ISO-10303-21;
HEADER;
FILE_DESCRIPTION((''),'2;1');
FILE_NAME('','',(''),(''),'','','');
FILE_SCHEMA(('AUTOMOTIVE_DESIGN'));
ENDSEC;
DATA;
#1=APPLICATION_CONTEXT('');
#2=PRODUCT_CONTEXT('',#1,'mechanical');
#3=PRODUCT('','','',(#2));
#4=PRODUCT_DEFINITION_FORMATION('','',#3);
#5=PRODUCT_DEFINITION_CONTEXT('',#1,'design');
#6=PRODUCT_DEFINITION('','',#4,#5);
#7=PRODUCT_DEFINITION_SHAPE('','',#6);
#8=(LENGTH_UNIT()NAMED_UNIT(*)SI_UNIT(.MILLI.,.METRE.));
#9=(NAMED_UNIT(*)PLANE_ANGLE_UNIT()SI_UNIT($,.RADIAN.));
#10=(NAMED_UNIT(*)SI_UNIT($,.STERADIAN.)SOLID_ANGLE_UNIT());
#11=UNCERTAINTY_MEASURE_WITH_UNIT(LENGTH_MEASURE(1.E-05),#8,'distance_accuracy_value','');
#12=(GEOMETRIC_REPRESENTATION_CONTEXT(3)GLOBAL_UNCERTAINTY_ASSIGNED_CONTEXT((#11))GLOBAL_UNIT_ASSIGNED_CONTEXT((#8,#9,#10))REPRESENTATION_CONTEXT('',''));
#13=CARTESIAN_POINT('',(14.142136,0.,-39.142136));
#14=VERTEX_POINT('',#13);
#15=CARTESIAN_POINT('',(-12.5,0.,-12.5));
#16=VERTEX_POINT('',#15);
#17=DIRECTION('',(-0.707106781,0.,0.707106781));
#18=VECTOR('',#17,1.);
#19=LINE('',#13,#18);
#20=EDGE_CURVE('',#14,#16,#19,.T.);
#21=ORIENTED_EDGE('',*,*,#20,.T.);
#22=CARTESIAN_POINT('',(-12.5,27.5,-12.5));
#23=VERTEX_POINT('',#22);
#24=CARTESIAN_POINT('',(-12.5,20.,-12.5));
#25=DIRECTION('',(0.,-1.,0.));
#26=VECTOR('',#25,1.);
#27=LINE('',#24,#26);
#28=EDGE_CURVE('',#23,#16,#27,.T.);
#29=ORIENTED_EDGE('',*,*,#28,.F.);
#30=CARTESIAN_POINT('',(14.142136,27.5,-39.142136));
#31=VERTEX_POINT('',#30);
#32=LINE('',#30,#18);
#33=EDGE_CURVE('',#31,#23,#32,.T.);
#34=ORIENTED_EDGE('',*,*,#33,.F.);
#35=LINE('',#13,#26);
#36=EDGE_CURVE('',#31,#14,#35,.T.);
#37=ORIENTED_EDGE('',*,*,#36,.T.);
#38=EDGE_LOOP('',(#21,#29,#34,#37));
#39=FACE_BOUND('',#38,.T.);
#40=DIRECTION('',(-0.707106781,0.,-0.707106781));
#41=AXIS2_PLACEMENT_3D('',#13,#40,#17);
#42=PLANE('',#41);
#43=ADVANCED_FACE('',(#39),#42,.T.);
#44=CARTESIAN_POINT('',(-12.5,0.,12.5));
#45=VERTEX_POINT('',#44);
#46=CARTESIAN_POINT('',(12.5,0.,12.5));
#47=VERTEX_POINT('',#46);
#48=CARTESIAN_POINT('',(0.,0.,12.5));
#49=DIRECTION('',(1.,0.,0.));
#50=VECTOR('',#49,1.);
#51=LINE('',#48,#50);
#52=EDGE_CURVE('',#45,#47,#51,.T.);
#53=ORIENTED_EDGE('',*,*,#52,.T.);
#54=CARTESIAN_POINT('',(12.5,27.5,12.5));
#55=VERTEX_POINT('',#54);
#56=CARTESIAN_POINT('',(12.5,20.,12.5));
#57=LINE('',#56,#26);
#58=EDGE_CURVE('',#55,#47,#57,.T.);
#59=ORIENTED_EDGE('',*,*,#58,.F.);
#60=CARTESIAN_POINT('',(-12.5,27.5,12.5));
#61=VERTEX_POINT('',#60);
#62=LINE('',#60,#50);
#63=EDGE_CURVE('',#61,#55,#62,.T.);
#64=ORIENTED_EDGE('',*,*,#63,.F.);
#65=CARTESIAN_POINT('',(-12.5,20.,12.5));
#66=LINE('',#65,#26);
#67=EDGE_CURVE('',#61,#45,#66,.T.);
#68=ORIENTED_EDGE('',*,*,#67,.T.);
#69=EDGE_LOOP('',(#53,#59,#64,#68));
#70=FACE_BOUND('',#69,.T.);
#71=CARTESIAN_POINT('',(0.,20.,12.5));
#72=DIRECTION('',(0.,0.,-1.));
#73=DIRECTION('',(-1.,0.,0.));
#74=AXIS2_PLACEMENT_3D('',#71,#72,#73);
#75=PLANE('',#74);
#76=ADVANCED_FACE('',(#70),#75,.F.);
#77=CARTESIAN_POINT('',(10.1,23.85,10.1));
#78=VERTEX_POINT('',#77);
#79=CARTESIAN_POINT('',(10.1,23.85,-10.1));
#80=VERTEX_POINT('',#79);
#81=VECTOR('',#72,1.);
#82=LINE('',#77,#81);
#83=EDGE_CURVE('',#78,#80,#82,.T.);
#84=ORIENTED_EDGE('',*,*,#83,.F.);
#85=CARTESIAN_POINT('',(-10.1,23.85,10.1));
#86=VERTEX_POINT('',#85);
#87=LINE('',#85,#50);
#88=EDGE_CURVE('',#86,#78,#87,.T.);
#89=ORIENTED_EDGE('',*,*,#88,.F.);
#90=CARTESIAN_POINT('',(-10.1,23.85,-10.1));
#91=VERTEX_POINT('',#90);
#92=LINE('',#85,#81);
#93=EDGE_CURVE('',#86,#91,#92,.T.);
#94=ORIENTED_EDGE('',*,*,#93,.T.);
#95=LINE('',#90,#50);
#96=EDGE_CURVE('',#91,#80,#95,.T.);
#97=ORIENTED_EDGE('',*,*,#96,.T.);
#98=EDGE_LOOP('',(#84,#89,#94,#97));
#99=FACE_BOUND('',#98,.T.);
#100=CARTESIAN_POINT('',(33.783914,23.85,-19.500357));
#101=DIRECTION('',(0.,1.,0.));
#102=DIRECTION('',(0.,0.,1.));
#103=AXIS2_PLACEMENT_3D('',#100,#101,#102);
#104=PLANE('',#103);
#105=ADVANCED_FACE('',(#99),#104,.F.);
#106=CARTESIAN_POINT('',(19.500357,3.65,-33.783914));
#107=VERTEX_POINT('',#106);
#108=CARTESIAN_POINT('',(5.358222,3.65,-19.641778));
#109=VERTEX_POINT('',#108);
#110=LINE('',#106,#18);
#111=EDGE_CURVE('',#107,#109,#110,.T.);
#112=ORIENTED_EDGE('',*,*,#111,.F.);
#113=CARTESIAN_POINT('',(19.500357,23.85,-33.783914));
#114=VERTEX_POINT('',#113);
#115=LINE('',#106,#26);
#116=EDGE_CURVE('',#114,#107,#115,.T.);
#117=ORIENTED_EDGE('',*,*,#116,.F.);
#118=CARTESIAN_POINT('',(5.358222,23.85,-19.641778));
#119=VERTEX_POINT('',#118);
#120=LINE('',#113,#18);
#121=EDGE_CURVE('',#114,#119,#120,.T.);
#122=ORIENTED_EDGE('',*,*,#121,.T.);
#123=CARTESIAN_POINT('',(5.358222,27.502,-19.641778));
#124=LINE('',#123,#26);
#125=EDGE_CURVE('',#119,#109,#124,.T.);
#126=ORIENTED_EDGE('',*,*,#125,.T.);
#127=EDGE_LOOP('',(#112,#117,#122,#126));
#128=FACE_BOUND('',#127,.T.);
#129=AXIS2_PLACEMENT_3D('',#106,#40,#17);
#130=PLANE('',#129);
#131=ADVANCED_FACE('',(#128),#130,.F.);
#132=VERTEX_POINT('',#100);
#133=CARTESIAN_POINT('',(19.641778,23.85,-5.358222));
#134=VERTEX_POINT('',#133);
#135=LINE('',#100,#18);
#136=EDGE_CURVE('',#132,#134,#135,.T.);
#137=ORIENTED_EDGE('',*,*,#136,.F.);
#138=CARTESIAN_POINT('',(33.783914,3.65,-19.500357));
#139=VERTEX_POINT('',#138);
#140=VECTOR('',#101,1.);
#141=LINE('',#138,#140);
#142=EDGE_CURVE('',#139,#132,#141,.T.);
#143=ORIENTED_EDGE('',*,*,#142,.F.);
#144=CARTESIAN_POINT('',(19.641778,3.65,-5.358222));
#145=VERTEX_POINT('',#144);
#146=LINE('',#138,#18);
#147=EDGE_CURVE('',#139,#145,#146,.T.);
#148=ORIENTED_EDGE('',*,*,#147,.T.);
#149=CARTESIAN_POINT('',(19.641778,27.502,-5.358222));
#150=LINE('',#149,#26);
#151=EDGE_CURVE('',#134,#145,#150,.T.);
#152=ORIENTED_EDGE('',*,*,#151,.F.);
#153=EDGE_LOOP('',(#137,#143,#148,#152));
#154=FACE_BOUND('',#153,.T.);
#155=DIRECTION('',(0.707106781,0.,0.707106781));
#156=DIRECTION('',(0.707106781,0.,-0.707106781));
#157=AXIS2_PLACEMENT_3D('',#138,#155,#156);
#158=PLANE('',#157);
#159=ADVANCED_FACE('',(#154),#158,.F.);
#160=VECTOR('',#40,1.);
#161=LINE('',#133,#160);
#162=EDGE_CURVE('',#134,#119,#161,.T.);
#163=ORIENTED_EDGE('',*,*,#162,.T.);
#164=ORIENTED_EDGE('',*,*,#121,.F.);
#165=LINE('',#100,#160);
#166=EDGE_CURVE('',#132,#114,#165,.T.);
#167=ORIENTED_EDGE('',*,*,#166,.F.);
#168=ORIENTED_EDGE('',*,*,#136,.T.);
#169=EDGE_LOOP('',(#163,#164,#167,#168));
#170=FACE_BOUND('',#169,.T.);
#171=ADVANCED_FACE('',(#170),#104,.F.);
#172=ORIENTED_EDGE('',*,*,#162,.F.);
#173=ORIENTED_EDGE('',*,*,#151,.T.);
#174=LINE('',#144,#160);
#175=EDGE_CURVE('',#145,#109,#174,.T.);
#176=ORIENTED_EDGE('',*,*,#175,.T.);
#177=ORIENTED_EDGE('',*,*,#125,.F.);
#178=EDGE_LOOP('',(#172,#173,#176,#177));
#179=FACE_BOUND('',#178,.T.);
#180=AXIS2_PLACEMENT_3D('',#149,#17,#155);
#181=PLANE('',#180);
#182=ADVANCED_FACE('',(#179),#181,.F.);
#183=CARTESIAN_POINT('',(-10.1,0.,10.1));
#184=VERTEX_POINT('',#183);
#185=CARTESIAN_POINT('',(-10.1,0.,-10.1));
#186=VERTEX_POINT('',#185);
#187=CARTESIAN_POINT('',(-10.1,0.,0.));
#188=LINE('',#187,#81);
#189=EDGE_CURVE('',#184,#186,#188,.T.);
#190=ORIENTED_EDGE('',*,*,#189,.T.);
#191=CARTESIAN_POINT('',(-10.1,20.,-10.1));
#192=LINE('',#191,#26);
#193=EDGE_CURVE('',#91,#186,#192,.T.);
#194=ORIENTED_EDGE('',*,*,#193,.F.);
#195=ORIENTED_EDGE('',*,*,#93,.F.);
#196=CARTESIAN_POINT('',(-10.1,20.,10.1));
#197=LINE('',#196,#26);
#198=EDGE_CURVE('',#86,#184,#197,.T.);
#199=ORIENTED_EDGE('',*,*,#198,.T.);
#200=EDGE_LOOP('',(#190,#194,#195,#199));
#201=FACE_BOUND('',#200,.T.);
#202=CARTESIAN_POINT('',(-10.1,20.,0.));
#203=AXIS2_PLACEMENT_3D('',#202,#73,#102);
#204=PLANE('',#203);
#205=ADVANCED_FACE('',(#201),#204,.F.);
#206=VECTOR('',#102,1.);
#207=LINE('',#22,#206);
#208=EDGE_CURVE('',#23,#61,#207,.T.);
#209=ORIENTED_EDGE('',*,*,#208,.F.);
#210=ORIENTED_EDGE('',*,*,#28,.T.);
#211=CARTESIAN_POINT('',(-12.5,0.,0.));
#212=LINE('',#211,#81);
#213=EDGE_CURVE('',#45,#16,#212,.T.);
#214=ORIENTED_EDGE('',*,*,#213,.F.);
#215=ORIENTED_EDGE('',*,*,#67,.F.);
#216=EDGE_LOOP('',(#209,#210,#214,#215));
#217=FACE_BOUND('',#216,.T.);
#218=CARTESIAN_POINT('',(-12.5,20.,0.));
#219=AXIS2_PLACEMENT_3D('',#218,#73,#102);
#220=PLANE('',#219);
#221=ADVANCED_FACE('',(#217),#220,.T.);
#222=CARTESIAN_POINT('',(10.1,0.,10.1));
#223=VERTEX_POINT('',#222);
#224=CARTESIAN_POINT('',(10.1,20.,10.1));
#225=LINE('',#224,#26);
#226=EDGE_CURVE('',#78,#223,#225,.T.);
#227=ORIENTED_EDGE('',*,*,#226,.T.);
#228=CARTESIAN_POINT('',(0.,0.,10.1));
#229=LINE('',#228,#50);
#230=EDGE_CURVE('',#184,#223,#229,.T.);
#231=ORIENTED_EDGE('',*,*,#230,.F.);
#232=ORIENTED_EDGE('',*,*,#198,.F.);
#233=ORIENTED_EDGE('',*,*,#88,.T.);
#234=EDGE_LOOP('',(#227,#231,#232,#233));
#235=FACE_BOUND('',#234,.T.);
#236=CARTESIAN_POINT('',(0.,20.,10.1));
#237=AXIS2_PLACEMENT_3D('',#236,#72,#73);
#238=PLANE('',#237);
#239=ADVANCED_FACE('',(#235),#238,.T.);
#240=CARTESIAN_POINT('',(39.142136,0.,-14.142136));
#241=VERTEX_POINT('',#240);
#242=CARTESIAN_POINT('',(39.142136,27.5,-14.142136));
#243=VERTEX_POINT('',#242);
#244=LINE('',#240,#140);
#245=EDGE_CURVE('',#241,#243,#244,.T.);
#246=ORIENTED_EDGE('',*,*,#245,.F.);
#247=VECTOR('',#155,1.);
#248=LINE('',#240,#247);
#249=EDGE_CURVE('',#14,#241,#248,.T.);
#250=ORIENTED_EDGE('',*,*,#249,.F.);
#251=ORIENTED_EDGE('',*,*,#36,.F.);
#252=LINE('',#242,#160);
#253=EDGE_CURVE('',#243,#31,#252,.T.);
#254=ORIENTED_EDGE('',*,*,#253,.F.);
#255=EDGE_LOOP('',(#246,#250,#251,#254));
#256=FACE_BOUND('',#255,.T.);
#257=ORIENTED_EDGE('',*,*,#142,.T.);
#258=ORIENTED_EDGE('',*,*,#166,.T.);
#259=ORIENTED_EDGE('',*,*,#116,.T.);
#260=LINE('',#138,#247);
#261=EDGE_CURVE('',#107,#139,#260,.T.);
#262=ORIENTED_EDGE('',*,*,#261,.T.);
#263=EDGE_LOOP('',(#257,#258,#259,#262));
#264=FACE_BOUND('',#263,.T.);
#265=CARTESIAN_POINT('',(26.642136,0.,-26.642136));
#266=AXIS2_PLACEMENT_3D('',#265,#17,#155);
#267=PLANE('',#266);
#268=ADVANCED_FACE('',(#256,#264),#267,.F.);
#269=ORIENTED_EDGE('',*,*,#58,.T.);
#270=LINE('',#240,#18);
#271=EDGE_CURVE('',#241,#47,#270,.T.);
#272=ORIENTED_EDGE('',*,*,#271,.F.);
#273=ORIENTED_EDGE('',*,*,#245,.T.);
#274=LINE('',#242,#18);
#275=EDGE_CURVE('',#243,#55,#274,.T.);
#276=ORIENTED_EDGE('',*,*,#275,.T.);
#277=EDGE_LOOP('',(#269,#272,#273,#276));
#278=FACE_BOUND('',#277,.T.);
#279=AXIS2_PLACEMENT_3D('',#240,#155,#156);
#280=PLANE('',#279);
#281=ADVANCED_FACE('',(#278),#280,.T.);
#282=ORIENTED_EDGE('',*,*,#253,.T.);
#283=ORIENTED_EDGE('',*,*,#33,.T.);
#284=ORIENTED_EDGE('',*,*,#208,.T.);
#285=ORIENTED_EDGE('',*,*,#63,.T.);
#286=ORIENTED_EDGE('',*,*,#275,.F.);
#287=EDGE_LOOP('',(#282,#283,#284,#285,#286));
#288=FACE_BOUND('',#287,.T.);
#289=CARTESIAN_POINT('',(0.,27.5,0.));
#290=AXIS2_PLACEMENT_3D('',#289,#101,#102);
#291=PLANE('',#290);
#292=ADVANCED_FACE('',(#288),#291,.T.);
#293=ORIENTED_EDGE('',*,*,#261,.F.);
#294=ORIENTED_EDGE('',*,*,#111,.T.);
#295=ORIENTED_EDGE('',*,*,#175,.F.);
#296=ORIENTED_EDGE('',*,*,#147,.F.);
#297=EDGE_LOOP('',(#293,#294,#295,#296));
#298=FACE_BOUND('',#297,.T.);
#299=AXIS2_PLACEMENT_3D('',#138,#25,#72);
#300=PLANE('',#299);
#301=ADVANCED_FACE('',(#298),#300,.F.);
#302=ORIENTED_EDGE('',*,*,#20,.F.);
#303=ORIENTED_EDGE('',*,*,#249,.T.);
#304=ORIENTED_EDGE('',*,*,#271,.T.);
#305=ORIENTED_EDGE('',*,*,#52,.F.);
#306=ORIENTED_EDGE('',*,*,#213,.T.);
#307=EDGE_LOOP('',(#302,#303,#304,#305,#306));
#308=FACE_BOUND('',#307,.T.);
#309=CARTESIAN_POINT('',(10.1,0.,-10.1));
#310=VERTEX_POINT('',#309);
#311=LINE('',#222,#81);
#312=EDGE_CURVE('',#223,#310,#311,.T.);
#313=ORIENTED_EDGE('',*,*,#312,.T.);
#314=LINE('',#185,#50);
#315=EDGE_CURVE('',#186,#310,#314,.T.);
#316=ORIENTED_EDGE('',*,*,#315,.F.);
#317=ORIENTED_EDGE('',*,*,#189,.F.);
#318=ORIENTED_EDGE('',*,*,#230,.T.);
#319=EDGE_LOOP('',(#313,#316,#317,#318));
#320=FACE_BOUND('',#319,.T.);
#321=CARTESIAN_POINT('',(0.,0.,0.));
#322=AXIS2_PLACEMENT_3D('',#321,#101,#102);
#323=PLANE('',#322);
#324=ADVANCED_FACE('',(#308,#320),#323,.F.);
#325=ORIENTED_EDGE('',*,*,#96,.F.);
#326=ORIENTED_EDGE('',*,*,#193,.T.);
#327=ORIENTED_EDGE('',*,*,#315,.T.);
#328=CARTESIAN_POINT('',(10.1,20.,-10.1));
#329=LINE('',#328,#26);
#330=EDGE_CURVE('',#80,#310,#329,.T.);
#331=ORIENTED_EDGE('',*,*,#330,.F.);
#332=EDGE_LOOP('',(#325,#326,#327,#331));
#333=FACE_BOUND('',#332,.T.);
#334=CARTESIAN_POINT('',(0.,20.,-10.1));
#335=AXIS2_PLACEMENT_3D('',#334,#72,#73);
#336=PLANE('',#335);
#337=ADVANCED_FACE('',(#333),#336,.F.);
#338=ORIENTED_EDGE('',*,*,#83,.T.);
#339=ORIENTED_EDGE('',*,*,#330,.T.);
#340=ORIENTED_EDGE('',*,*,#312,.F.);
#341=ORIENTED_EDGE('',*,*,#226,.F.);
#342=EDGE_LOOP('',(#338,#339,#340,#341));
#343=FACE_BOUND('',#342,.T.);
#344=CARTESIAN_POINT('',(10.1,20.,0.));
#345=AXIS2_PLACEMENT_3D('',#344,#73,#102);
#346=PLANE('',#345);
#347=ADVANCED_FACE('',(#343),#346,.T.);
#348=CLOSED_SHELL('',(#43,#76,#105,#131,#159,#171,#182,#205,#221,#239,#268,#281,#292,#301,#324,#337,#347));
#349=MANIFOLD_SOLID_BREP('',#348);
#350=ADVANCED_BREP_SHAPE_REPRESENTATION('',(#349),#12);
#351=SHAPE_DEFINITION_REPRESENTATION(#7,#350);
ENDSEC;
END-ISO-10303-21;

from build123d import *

# Parameters (mm, degrees)
SKETCH_1_W           = 25
SKETCH_1_H           = 25
SKETCH_1_W_2         = 20.2
SKETCH_1_H_2         = 20.2
EXTRUDE_1_DEPTH      = 20
SKETCH_2_W           = 25
SKETCH_2_H           = 25
EXTRUDE_2_DEPTH      = 7.5
EXTRUDE_3_DEPTH      = 17.67767
EXTRUDE_3_DEPTH_BACK = 20
SKETCH_3_W           = 35.35533906
SKETCH_3_H           = 27.5
SKETCH_3_W_2         = 20.2
SKETCH_3_H_2         = 20.2
SKETCH_1_3_W         = 20.2
SKETCH_1_3_H         = 20.2
CUT_EXTRUDE_1_DEPTH  = 23.85
SKETCH_3_2_W         = 20.2
SKETCH_3_2_H         = 20.2
CUT_EXTRUDE_2_DEPTH  = 20
EXTRUDE_4_REACH      = 62.275


with BuildPart() as part:
    # 스케치1 → 보스-돌출1 (new body)
    with BuildSketch(Plane(origin=(0, 0, 0), x_dir=(1, 0, 0), z_dir=(0, 1, 0))):
        Rectangle(SKETCH_1_W, SKETCH_1_H)
        Rectangle(SKETCH_1_W_2, SKETCH_1_H_2, mode=Mode.SUBTRACT)
    extrude(amount=EXTRUDE_1_DEPTH)

    # 스케치2 → 보스-돌출2 (add)
    with BuildSketch(Plane(origin=(0, 20, 0), x_dir=(1, 0, 0), z_dir=(0, 1, 0))):
        Rectangle(SKETCH_2_W, SKETCH_2_H)
    extrude(amount=EXTRUDE_2_DEPTH)

    # 스케치3 → 보스-돌출3 (add, two sides: drawn at the far end of the back side and taken through both)
    with BuildSketch(Plane(origin=(12.5, 0, -12.5), x_dir=(0.7071067811865476, 0, 0.7071067811865476), z_dir=(-0.7071067811865476, 0, 0.7071067811865476)).offset(-EXTRUDE_3_DEPTH_BACK)):
        with Locations((0, 13.75)):
            Rectangle(SKETCH_3_W, SKETCH_3_H)
        with Locations((0, 13.75)):
            Rectangle(SKETCH_3_W_2, SKETCH_3_H_2, mode=Mode.SUBTRACT)
    extrude(amount=EXTRUDE_3_DEPTH + EXTRUDE_3_DEPTH_BACK)

    # 스케치1<3> → 컷-돌출1 (cut)
    with BuildSketch(Plane(origin=(0, 0, 0), x_dir=(1, 0, 0), z_dir=(0, 1, 0))):
        Rectangle(SKETCH_1_3_W, SKETCH_1_3_H)
    extrude(amount=CUT_EXTRUDE_1_DEPTH, mode=Mode.SUBTRACT)

    # 스케치3<2> → 컷-돌출2 (cut)
    with BuildSketch(Plane(origin=(12.5, 0, -12.5), x_dir=(0.7071067811865476, 0, 0.7071067811865476), z_dir=(-0.7071067811865476, 0, 0.7071067811865476))):
        with Locations((0, 13.75)):
            Rectangle(SKETCH_3_2_W, SKETCH_3_2_H)
    extrude(amount=CUT_EXTRUDE_2_DEPTH, mode=Mode.SUBTRACT)

    # 스케치5 → 보스-돌출4 (add, up to next)
    with BuildSketch(Plane(origin=(0, 3.65, 0), x_dir=(1, 0, 0), z_dir=(0, 1, 0)), mode=Mode.PRIVATE) as extrude_4_sk1:
        Polygon((19.64177849, 5.35822151), (5.35822151, 19.64177849), (-4.18355698, 10.1), (10.1, 10.1), (10.1, -4.18355698), align=None)
    extrude_4_tool1 = extrude(extrude_4_sk1.sketch, amount=EXTRUDE_4_REACH, mode=Mode.PRIVATE) - part.part
    add(extrude_4_tool1.solids().sort_by_distance((12.261747, 3.65, -12.261747))[0])


solid = part.part
